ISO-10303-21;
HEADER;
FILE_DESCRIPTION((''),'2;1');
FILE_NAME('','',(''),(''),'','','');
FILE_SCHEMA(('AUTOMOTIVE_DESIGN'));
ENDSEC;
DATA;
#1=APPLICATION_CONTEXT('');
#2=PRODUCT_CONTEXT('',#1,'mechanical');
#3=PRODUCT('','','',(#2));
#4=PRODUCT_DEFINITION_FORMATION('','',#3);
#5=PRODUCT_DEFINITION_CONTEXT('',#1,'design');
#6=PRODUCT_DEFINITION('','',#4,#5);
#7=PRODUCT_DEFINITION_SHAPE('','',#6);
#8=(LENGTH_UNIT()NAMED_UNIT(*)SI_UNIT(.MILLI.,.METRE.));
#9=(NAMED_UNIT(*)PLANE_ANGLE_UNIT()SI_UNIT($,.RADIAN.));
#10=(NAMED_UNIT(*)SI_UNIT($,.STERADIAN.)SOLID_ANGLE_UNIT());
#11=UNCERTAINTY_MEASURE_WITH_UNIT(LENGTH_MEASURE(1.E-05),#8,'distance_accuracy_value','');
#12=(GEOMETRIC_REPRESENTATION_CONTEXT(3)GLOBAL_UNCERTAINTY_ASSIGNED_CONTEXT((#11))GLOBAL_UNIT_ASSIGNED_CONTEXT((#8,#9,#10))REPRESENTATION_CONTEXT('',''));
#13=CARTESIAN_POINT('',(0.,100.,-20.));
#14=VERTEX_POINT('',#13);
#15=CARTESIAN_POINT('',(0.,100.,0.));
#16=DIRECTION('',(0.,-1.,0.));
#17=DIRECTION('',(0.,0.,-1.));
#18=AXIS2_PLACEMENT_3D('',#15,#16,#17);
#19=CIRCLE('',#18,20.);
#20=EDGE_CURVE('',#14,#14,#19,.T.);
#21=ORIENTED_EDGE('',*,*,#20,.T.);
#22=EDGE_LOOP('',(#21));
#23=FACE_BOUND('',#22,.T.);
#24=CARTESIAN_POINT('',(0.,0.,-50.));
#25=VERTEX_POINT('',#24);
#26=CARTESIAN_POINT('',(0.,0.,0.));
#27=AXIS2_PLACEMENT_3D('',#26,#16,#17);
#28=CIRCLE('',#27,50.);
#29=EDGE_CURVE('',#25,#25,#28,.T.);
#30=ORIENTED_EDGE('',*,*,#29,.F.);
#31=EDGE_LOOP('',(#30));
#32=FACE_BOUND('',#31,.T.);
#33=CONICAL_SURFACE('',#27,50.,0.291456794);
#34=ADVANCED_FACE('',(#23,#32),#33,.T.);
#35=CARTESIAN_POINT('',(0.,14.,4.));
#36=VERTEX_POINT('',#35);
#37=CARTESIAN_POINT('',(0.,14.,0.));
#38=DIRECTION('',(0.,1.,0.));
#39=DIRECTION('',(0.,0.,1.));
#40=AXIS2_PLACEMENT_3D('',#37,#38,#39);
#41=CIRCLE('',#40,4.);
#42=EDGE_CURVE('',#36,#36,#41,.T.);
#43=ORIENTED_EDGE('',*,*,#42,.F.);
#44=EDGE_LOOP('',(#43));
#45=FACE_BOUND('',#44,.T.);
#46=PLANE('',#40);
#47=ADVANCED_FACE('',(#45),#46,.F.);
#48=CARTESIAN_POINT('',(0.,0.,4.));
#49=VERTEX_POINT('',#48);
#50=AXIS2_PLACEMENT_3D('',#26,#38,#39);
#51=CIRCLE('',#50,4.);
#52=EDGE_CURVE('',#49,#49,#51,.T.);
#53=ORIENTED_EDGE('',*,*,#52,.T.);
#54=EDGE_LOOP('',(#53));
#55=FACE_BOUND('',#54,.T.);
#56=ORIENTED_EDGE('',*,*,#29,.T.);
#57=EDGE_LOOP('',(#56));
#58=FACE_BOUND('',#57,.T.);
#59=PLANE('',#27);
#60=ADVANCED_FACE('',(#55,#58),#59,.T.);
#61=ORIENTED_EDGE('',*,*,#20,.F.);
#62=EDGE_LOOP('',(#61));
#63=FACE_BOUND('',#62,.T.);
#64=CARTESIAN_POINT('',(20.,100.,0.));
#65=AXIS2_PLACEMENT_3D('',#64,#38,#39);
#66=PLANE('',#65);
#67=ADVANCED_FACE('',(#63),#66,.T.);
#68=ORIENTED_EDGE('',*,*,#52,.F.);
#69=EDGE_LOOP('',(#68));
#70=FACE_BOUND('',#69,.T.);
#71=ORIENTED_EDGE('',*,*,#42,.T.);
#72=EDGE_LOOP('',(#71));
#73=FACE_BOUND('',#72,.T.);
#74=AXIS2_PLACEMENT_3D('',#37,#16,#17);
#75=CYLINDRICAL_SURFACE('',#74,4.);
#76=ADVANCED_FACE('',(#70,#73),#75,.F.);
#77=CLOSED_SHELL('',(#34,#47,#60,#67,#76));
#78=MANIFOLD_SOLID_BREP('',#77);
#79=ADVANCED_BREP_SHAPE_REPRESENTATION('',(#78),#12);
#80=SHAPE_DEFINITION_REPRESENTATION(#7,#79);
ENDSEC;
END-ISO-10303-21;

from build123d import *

# Parameters (mm, degrees)
CROQUIS_AGUJEROS_MONTAJE_R = 4
AGUJERO_INSERTO_M6_DEPTH   = 14


with BuildPart() as part:
    # Croquis_perfil → Tronco_cono (revolve)
    with BuildSketch(Plane.XY, mode=Mode.PRIVATE) as tronco_cono_sk:
        Polygon((0, 0), (50, 0), (20, 100), (0, 100), align=None)
    revolve(tronco_cono_sk.sketch.rotate(Axis((0, 0, 0), (0, 1, 0)), 90), axis=Axis((0, 0, 0), (0, 1, 0)))

    # Croquis_agujeros_montaje → Agujero_inserto_M6 (cut)
    with BuildSketch(Plane(origin=(0, 0, 0), x_dir=(1, 0, 0), z_dir=(0, 1, 0))):
        with Locations(Location((0, 0, 0), (0, 0, 270))):
            Circle(CROQUIS_AGUJEROS_MONTAJE_R)
    extrude(amount=AGUJERO_INSERTO_M6_DEPTH, mode=Mode.SUBTRACT)


solid = part.part
